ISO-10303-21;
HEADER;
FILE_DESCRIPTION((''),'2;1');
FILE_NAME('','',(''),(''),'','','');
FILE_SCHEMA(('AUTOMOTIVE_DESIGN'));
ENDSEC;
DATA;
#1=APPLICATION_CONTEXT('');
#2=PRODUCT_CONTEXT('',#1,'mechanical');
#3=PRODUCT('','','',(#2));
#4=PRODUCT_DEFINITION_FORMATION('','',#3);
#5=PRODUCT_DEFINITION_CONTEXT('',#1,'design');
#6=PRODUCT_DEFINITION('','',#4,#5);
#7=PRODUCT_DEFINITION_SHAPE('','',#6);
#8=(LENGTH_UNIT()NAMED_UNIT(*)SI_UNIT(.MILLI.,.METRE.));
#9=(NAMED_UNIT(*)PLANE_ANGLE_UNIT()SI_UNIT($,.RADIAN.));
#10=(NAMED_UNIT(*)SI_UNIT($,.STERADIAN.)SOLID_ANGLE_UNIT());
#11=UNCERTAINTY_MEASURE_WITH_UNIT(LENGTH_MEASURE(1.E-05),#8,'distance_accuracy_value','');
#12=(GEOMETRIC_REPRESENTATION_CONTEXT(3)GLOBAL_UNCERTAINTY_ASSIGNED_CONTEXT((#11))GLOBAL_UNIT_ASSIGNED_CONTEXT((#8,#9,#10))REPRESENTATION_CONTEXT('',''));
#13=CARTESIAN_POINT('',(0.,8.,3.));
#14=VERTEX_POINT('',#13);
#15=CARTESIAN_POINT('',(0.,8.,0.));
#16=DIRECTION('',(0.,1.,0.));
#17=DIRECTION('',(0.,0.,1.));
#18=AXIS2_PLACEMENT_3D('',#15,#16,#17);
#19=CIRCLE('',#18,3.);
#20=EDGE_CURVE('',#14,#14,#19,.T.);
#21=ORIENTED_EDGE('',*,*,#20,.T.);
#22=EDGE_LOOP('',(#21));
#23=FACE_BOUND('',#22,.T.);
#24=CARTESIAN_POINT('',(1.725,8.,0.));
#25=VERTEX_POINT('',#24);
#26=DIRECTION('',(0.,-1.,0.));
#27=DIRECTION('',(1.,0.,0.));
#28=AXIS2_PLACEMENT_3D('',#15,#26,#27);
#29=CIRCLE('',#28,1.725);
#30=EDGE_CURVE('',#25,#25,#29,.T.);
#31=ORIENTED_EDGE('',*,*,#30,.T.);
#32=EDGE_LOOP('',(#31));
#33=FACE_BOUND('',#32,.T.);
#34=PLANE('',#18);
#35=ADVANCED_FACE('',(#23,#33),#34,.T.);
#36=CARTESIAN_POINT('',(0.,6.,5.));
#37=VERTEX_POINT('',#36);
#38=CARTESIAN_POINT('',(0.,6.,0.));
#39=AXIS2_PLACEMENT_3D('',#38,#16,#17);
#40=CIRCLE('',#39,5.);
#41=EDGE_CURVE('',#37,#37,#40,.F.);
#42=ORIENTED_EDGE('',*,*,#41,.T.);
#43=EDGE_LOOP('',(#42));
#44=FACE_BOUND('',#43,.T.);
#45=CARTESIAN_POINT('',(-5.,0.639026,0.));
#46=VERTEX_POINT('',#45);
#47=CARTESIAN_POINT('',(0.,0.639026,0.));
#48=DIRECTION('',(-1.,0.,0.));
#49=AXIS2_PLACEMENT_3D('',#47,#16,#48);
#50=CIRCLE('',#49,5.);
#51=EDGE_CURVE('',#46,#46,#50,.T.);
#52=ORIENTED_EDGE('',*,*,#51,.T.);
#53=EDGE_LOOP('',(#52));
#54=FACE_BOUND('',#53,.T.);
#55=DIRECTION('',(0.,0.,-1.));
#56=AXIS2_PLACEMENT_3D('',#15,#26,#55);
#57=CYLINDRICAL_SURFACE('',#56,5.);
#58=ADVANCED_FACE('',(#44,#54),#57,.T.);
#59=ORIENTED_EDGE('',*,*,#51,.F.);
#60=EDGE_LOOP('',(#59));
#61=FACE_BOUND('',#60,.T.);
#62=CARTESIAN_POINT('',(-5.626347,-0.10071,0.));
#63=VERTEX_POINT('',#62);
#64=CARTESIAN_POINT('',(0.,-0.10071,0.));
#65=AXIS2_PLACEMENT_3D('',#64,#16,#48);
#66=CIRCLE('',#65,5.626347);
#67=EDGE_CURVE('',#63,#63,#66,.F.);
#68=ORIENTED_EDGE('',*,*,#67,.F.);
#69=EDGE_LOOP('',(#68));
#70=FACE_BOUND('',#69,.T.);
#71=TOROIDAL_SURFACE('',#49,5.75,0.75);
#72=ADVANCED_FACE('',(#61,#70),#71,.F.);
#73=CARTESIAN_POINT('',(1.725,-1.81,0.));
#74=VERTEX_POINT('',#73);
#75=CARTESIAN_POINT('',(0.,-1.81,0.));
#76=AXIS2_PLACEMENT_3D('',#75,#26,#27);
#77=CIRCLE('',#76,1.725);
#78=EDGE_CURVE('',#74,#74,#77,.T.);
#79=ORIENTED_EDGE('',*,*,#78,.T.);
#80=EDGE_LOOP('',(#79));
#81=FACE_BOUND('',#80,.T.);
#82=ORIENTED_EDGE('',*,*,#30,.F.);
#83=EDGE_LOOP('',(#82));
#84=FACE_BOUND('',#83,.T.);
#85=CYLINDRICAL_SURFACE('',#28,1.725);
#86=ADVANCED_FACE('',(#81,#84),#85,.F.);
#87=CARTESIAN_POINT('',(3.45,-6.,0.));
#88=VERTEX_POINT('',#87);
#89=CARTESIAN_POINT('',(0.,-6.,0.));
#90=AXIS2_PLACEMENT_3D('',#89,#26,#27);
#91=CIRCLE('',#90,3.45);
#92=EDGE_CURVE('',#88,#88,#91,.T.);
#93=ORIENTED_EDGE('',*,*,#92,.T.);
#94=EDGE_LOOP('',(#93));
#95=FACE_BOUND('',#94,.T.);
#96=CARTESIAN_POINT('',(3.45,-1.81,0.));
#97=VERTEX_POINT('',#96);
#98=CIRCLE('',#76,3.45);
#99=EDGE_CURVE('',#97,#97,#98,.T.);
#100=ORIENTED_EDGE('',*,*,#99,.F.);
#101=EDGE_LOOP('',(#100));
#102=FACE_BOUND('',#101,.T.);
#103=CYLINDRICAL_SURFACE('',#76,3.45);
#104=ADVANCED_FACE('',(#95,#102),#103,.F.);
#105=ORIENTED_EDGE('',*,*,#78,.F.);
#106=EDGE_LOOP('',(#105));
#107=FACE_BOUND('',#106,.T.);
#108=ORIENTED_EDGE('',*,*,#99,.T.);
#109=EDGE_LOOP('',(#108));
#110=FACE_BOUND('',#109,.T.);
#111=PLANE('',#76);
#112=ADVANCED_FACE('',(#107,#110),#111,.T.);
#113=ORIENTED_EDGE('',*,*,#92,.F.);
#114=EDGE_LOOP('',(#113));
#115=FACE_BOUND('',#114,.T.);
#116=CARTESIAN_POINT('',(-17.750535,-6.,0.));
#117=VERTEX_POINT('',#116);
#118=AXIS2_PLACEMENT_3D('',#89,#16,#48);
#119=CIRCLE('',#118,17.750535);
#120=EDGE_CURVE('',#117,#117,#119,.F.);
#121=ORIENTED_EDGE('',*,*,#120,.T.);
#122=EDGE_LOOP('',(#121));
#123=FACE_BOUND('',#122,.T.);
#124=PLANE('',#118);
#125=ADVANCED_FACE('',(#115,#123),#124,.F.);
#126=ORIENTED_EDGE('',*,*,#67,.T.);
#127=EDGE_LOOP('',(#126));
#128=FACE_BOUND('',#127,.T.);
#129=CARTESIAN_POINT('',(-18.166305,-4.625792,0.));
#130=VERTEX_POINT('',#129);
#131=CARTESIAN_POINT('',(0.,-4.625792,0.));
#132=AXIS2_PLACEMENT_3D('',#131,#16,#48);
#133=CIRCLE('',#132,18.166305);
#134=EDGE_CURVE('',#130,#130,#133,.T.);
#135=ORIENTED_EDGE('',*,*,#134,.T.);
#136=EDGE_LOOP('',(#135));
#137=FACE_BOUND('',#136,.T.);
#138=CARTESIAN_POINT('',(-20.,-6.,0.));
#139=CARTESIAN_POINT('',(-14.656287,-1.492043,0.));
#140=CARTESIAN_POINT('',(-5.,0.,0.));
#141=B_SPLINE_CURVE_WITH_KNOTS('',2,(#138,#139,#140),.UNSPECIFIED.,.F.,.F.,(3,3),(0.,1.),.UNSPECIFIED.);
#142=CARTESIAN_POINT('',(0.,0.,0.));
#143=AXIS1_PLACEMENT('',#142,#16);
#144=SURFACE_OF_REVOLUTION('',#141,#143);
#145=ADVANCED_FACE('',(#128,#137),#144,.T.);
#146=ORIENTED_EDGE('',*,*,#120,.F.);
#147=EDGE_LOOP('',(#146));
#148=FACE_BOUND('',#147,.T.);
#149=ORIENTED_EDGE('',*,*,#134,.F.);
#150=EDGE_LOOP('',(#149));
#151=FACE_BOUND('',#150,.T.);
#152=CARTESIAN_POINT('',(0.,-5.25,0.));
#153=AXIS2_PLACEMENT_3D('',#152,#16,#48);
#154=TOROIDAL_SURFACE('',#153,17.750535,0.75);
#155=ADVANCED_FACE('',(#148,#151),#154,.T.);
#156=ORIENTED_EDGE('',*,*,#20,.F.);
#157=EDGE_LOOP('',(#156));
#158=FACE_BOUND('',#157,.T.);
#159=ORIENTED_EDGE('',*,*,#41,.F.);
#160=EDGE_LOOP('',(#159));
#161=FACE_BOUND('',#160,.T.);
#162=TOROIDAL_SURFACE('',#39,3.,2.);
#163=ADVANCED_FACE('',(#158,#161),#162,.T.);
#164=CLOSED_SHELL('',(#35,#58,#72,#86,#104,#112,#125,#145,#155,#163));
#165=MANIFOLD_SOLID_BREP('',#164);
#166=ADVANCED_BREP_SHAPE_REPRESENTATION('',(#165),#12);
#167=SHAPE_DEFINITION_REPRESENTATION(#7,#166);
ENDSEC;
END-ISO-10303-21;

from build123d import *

# Parameters (mm, degrees)
SKETCH1_R           = 5
BOSS_EXTRUDE1_DEPTH = 8
SKETCH3_R           = 3.45
CUT_EXTRUDE1_DEPTH  = 4.19
SKETCH4_R           = 1.725
CUT_EXTRUDE2_DEPTH  = 30.937202742
FILLET1_R           = 0.75
FILLET2_R           = 2


with BuildPart() as part:
    # Sketch1 → Boss-Extrude1 (new body)
    with BuildSketch(Plane(origin=(0, 0, 0), x_dir=(1, 0, 0), z_dir=(0, 1, 0))):
        with Locations(Location((0, 0, 0), (0, 0, 270))):
            Circle(SKETCH1_R)
    extrude(amount=BOSS_EXTRUDE1_DEPTH)

    # Sketch2 → Revolve1 (revolve)
    with BuildSketch(Plane.XY):
        with BuildLine():
            add(Edge.make_bspline(
                [(-20, -6), (-14.656287037, -1.492043213), (-5, 0)],
                knots=[0, 0, 0, 1, 1, 1], degree=2))
            Line((-5, 0), (0, 0))
            Line((0, 0), (0, -6))
            Line((0, -6), (-20, -6))
        make_face()
    revolve(axis=Axis((0, 0, 0), (0, -1, 0)))

    # Sketch3 → Cut-Extrude1 (cut)
    with BuildSketch(Plane.XZ.offset(6)):
        Circle(SKETCH3_R)
    extrude(amount=-CUT_EXTRUDE1_DEPTH, mode=Mode.SUBTRACT)

    # Sketch4 → Cut-Extrude2 (cut, through all)
    with BuildSketch(Plane.XZ.offset(1.81)):
        Circle(SKETCH4_R)
    extrude(amount=-CUT_EXTRUDE2_DEPTH, mode=Mode.SUBTRACT)

    # Fillet1
    fillet1_edges = [part.edges().sort_by_distance(p)[0] for p in [
        (20, -6, 0),
        (3.535533906, 0, -3.535533906),
    ]]
    fillet(fillet1_edges, radius=FILLET1_R)

    # Fillet2
    fillet2_edges = [part.edges().sort_by_distance(p)[0] for p in [
        (0, 8, -5),
    ]]
    fillet(fillet2_edges, radius=FILLET2_R)


solid = part.part
